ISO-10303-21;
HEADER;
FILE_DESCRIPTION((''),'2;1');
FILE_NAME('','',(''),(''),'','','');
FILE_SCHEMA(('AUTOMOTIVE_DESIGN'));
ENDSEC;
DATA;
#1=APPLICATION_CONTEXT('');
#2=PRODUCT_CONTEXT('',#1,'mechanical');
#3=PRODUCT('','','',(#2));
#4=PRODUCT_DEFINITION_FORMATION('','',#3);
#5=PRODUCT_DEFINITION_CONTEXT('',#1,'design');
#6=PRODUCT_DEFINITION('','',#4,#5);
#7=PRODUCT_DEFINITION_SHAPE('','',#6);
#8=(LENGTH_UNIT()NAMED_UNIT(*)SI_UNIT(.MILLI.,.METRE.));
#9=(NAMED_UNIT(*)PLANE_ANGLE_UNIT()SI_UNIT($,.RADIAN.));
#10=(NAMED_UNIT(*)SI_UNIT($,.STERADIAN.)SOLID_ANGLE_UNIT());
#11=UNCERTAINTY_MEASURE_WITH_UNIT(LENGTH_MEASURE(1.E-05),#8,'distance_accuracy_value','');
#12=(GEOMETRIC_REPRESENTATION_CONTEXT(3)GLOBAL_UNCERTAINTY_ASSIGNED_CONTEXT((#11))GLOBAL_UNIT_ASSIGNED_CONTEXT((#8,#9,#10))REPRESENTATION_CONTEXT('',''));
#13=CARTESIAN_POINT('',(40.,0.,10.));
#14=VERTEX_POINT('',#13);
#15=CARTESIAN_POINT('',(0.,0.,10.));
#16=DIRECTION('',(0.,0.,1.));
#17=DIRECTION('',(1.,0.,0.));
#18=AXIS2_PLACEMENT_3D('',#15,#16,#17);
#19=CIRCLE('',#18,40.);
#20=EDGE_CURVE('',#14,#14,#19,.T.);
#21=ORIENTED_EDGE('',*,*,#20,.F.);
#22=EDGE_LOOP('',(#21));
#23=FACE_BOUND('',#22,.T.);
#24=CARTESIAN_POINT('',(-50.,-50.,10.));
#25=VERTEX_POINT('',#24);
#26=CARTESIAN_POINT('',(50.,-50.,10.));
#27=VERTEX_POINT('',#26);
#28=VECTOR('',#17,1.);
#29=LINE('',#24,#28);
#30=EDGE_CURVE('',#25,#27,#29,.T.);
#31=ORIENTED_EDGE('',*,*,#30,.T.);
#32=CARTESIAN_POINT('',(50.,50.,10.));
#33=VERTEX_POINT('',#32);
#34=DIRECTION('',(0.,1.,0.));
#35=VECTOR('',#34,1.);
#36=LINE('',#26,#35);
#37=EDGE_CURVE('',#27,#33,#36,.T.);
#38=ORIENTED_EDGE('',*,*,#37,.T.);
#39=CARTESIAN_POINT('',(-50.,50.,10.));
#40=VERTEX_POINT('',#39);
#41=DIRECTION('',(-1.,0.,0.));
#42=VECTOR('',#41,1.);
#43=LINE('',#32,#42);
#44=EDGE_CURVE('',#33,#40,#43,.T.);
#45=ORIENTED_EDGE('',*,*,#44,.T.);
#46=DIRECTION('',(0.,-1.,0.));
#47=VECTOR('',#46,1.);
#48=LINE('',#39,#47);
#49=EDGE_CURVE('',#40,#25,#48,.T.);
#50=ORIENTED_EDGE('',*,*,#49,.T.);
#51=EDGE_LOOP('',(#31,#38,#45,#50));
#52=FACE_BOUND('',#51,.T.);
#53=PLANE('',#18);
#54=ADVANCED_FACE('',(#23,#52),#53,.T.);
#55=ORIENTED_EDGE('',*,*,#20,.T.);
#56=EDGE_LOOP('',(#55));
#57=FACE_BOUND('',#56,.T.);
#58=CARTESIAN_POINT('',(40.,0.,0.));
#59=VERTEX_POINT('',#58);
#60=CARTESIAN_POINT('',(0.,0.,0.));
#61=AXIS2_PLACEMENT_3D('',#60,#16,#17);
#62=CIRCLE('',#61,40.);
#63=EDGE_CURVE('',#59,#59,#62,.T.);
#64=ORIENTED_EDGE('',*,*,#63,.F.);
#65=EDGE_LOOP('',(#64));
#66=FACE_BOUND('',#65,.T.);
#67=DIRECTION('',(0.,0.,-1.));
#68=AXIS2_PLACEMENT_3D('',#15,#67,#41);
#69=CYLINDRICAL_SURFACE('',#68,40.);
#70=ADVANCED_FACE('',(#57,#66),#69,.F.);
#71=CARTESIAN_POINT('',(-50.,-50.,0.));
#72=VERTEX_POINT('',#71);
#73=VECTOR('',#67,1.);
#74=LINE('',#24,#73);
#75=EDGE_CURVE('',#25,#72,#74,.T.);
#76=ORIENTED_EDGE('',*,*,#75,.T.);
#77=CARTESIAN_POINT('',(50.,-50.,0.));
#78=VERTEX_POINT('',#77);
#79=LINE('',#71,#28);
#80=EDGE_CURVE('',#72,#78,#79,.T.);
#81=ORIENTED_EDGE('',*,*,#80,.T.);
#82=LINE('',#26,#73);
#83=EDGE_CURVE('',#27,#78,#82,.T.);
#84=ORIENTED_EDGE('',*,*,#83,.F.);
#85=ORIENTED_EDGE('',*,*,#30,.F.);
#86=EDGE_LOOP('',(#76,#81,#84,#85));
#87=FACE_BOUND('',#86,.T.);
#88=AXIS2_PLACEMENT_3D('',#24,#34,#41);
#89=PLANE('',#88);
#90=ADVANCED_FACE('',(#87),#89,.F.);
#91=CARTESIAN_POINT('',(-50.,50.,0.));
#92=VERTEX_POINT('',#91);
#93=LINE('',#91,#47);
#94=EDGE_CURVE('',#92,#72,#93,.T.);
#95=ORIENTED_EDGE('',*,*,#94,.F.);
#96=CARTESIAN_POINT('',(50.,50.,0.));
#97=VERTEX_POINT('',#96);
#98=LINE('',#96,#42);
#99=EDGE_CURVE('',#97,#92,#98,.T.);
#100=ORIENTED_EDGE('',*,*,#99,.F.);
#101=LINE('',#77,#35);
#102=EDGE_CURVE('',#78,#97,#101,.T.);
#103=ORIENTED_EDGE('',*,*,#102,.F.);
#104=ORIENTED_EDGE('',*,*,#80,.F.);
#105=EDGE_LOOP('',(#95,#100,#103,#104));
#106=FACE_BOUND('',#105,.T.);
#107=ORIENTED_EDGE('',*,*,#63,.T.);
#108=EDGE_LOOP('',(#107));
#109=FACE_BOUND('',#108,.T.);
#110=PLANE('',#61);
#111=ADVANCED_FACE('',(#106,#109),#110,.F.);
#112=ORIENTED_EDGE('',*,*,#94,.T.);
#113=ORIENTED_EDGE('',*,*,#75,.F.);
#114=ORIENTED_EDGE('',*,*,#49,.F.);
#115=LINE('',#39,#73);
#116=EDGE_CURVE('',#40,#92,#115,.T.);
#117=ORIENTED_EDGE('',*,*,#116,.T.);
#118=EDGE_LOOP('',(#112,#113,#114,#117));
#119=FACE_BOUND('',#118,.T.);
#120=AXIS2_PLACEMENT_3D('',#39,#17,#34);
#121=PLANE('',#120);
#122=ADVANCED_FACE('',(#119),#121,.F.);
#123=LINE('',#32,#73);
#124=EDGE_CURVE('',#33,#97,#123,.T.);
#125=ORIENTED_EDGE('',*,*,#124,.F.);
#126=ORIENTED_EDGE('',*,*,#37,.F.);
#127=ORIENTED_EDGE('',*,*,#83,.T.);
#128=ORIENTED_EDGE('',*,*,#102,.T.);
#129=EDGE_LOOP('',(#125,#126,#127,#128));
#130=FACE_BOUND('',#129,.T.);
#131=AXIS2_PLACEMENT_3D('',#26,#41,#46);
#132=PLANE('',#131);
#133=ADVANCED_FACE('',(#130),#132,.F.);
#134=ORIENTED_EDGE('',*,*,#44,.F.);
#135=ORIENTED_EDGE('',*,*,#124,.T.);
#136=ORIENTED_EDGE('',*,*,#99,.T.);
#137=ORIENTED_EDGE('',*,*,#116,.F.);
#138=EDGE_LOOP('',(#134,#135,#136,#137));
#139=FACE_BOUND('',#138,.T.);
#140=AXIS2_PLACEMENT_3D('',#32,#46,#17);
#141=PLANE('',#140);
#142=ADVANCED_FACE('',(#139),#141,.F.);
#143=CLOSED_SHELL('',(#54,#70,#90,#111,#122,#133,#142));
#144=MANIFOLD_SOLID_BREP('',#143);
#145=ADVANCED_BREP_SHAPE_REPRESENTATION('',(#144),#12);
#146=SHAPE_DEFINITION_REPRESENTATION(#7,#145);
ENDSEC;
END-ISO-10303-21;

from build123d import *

# Parameters (mm, degrees)
SKETCH1_W           = 100
SKETCH1_H           = 100
SKETCH1_R           = 40
BOSS_EXTRUDE1_DEPTH = 10


with BuildPart() as part:
    # Sketch1 → Boss-Extrude1 (new body)
    with BuildSketch(Plane.XY):
        Rectangle(SKETCH1_W, SKETCH1_H)
        Circle(SKETCH1_R, mode=Mode.SUBTRACT)
    extrude(amount=BOSS_EXTRUDE1_DEPTH)


solid = part.part
